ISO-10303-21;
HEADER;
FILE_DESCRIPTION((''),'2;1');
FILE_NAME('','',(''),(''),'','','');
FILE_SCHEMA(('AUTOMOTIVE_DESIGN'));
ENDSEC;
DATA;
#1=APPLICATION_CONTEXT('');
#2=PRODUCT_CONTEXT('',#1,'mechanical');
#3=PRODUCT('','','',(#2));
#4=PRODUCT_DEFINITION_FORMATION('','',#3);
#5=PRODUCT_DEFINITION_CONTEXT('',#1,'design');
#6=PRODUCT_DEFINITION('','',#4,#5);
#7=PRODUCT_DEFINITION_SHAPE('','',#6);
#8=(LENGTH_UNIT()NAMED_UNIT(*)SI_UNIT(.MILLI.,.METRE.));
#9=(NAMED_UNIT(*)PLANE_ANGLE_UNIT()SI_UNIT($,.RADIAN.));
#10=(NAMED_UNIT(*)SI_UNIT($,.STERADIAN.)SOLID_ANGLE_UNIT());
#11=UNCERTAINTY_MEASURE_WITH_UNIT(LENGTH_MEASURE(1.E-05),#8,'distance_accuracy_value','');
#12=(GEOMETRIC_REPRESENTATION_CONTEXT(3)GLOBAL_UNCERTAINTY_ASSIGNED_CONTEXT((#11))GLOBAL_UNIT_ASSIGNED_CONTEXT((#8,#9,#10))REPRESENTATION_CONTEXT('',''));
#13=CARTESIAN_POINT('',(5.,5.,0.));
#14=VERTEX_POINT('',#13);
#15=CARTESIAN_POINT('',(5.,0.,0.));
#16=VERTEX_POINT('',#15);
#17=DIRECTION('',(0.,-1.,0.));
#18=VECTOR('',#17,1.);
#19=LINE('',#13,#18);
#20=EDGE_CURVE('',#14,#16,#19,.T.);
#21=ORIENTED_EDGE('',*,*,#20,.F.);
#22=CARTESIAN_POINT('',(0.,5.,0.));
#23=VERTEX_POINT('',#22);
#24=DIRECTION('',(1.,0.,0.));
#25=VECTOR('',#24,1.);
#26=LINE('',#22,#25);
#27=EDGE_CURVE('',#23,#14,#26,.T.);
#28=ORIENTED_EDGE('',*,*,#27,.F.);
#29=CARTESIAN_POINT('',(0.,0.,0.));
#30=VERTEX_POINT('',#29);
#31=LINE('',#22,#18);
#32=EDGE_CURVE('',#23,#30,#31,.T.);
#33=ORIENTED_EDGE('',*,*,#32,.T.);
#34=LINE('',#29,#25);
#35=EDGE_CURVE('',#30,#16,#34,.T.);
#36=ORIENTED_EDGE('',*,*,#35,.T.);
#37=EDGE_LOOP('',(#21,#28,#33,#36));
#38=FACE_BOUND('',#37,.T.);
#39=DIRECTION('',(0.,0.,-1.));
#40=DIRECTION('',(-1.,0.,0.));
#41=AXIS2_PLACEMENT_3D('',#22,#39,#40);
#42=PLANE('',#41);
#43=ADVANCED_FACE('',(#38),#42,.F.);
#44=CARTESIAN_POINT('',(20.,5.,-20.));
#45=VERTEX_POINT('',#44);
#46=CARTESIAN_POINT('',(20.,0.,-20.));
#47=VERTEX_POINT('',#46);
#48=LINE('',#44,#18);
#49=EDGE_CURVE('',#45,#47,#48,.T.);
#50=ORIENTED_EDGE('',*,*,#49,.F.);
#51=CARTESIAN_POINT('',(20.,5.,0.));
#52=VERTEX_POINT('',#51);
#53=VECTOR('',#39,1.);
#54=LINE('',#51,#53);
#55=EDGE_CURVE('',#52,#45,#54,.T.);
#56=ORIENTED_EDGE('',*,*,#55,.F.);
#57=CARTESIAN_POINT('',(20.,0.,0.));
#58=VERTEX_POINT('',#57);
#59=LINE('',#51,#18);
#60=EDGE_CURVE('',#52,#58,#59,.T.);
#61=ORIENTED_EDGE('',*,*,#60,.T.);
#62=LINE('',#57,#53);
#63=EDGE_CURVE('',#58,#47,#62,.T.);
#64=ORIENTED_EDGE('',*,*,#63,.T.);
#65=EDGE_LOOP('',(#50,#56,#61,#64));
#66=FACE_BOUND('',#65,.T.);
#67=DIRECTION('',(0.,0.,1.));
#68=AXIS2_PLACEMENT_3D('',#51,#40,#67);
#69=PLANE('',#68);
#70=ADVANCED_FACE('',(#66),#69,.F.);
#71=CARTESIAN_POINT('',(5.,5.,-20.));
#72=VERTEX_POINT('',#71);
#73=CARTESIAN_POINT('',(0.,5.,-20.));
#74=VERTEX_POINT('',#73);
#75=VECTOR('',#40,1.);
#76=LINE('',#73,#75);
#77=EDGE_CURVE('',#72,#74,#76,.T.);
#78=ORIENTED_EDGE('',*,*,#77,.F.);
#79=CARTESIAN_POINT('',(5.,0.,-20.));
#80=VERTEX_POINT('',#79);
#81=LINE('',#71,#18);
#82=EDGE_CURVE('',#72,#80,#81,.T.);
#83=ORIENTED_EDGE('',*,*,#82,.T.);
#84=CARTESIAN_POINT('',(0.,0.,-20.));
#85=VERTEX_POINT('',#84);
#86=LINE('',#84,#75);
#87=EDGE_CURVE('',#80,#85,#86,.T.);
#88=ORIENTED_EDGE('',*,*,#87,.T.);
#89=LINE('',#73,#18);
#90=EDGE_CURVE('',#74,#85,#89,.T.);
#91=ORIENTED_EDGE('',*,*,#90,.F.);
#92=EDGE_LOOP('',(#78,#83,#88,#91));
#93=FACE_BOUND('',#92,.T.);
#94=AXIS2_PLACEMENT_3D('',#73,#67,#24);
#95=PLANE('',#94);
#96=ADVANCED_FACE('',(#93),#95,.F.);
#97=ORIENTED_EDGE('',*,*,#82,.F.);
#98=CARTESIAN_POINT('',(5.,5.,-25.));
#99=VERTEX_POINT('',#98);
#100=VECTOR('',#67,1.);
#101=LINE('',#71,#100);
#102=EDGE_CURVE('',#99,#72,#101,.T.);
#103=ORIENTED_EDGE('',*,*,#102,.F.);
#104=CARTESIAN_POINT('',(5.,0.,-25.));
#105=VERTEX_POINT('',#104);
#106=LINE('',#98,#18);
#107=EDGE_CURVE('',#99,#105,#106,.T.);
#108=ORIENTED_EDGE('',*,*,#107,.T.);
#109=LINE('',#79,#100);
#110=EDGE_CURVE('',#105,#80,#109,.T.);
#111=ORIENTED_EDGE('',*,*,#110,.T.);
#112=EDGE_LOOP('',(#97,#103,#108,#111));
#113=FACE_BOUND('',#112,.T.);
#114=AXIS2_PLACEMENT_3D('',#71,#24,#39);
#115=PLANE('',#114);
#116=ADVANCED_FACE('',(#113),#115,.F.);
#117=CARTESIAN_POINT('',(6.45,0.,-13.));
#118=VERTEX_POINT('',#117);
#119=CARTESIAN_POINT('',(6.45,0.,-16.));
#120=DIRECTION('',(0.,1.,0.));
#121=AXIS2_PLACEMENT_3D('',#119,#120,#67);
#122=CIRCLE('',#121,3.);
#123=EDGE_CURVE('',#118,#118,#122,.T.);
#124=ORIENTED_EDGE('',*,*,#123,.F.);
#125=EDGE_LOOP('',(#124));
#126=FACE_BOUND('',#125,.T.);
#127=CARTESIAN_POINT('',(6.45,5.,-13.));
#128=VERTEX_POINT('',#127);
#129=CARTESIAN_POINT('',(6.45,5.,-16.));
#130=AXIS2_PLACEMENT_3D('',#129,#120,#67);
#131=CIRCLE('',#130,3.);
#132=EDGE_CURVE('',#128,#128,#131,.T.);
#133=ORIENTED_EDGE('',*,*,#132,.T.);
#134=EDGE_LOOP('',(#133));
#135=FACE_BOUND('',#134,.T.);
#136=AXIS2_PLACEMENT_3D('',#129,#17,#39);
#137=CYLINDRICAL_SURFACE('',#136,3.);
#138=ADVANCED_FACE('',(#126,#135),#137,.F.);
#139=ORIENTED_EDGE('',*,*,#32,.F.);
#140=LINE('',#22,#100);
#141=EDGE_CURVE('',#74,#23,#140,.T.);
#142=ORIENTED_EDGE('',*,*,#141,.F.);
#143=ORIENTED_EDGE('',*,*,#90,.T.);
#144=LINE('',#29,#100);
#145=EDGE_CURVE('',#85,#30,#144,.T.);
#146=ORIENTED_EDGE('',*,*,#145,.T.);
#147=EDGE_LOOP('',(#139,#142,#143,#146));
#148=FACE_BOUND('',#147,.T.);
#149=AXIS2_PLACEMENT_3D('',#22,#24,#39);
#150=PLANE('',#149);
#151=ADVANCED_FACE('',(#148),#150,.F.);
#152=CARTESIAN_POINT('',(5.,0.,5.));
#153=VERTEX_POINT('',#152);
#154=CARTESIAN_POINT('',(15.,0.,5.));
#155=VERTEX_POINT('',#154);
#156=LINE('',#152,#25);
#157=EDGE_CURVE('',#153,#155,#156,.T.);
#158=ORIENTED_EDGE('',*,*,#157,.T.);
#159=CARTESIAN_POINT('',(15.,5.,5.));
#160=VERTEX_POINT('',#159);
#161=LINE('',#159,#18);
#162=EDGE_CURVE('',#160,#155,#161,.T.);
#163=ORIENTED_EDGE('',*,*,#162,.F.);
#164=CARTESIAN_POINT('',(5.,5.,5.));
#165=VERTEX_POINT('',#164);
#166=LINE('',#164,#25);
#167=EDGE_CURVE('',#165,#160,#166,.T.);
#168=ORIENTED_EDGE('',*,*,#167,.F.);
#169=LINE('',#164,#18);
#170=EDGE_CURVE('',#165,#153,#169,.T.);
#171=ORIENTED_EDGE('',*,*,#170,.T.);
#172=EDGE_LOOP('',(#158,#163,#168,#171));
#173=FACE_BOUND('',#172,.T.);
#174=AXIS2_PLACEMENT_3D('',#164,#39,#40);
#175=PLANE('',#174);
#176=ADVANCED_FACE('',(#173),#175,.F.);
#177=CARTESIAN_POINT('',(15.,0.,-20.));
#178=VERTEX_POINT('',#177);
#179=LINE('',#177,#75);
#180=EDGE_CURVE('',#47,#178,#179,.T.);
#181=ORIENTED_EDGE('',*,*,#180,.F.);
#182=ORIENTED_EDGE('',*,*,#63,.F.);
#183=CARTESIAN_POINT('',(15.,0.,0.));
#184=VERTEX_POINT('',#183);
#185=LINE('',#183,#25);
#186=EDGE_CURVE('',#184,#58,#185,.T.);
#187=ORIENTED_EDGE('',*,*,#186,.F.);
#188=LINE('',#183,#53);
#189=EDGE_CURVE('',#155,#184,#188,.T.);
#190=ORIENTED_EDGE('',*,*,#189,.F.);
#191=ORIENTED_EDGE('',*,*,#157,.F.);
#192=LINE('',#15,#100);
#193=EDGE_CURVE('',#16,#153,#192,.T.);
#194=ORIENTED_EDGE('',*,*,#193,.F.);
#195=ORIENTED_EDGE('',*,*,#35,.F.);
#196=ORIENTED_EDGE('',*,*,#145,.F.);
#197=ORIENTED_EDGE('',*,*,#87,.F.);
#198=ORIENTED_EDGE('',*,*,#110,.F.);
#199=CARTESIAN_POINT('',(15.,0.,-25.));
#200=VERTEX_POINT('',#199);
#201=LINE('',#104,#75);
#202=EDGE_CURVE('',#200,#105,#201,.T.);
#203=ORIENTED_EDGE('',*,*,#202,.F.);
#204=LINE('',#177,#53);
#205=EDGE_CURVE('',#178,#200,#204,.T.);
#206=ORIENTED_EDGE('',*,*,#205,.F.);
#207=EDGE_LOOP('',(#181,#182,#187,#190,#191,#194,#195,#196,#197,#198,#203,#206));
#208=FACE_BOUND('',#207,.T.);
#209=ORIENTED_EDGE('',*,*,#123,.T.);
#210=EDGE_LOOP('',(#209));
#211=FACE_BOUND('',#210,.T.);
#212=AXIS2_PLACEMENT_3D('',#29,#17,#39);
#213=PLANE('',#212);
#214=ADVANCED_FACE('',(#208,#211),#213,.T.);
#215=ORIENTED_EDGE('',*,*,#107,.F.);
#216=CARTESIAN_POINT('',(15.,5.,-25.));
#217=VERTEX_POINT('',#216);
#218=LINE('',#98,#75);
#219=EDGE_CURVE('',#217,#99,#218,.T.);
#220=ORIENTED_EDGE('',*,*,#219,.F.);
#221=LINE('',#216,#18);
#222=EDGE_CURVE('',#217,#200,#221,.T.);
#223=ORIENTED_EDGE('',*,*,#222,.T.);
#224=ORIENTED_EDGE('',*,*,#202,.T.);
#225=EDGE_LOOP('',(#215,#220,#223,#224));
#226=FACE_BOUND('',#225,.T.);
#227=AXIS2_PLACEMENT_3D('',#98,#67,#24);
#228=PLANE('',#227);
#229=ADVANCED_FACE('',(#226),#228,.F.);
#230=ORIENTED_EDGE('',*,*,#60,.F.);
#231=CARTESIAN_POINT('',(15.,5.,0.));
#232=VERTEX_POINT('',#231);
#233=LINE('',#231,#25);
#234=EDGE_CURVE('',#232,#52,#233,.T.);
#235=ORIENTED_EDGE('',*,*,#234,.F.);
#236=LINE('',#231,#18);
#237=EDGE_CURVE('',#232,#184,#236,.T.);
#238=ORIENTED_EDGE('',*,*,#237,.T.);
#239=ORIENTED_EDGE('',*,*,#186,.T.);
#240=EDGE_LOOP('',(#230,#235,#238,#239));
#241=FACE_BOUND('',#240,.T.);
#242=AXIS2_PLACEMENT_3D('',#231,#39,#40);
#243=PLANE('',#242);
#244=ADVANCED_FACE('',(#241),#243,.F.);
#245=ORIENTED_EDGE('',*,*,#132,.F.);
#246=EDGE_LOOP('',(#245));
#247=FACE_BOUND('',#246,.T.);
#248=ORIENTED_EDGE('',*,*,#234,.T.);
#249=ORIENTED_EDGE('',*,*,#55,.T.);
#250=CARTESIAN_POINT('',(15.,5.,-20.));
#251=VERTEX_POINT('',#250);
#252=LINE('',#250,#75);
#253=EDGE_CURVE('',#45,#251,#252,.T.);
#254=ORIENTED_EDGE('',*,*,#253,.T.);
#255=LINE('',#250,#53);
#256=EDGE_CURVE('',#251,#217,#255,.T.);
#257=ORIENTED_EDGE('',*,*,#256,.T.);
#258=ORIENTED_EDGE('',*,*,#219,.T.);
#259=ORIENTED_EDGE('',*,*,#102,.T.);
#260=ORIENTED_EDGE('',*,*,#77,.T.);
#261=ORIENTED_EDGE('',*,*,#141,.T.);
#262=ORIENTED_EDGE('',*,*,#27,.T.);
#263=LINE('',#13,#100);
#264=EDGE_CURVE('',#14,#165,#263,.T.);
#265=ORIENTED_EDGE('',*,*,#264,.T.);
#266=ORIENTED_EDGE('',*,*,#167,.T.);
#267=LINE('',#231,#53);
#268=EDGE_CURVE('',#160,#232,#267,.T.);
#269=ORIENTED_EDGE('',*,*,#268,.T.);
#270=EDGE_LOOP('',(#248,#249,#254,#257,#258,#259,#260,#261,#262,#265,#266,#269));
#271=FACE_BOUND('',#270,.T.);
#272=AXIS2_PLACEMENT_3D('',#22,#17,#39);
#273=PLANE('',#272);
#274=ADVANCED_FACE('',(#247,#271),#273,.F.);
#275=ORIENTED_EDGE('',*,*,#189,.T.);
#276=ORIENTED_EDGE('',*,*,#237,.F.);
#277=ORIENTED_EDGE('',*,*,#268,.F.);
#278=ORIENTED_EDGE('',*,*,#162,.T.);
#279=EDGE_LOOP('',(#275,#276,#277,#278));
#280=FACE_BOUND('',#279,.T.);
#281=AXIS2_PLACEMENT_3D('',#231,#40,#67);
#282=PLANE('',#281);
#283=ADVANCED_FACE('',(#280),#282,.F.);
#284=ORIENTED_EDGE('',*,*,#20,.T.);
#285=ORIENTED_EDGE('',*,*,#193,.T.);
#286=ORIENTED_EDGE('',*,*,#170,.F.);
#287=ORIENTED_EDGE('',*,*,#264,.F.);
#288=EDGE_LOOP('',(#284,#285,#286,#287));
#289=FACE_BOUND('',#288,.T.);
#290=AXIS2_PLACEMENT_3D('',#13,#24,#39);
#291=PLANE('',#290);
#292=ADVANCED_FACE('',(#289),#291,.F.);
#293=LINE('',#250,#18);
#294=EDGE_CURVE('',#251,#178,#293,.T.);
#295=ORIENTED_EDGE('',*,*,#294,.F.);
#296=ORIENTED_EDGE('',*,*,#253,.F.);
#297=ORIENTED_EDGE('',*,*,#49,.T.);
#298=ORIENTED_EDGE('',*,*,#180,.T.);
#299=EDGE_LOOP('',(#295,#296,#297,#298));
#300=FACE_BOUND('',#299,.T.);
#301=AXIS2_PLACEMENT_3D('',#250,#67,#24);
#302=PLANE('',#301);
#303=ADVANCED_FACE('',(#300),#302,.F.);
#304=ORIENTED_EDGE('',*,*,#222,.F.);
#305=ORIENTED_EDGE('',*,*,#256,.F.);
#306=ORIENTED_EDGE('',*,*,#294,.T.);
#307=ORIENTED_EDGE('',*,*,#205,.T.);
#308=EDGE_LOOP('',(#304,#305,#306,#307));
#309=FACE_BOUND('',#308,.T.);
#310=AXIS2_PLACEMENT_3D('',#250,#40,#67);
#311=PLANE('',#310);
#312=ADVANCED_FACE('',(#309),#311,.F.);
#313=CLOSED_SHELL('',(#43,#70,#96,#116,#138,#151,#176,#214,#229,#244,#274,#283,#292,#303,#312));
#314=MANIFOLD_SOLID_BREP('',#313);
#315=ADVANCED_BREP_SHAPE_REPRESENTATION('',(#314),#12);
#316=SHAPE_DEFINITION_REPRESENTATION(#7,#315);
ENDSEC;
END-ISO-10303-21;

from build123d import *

# Parameters (mm, degrees)
SKETCH_1_R      = 3
EXTRUDE_1_DEPTH = 5


with BuildPart() as part:
    # 草图1 → 凸台-拉伸1 (new body)
    with BuildSketch(Plane(origin=(0, 0, 0), x_dir=(1, 0, 0), z_dir=(0, 1, 0))):
        Polygon((0, 0), (5, 0), (5, -5), (15, -5), (15, 0), (20, 0), (20, 20), (15, 20), (15, 25), (5, 25), (5, 20), (0, 20), align=None)
        with Locations(Location((6.45, 16, 0), (0, 0, 270))):
            Circle(SKETCH_1_R, mode=Mode.SUBTRACT)
    extrude(amount=EXTRUDE_1_DEPTH)


solid = part.part
